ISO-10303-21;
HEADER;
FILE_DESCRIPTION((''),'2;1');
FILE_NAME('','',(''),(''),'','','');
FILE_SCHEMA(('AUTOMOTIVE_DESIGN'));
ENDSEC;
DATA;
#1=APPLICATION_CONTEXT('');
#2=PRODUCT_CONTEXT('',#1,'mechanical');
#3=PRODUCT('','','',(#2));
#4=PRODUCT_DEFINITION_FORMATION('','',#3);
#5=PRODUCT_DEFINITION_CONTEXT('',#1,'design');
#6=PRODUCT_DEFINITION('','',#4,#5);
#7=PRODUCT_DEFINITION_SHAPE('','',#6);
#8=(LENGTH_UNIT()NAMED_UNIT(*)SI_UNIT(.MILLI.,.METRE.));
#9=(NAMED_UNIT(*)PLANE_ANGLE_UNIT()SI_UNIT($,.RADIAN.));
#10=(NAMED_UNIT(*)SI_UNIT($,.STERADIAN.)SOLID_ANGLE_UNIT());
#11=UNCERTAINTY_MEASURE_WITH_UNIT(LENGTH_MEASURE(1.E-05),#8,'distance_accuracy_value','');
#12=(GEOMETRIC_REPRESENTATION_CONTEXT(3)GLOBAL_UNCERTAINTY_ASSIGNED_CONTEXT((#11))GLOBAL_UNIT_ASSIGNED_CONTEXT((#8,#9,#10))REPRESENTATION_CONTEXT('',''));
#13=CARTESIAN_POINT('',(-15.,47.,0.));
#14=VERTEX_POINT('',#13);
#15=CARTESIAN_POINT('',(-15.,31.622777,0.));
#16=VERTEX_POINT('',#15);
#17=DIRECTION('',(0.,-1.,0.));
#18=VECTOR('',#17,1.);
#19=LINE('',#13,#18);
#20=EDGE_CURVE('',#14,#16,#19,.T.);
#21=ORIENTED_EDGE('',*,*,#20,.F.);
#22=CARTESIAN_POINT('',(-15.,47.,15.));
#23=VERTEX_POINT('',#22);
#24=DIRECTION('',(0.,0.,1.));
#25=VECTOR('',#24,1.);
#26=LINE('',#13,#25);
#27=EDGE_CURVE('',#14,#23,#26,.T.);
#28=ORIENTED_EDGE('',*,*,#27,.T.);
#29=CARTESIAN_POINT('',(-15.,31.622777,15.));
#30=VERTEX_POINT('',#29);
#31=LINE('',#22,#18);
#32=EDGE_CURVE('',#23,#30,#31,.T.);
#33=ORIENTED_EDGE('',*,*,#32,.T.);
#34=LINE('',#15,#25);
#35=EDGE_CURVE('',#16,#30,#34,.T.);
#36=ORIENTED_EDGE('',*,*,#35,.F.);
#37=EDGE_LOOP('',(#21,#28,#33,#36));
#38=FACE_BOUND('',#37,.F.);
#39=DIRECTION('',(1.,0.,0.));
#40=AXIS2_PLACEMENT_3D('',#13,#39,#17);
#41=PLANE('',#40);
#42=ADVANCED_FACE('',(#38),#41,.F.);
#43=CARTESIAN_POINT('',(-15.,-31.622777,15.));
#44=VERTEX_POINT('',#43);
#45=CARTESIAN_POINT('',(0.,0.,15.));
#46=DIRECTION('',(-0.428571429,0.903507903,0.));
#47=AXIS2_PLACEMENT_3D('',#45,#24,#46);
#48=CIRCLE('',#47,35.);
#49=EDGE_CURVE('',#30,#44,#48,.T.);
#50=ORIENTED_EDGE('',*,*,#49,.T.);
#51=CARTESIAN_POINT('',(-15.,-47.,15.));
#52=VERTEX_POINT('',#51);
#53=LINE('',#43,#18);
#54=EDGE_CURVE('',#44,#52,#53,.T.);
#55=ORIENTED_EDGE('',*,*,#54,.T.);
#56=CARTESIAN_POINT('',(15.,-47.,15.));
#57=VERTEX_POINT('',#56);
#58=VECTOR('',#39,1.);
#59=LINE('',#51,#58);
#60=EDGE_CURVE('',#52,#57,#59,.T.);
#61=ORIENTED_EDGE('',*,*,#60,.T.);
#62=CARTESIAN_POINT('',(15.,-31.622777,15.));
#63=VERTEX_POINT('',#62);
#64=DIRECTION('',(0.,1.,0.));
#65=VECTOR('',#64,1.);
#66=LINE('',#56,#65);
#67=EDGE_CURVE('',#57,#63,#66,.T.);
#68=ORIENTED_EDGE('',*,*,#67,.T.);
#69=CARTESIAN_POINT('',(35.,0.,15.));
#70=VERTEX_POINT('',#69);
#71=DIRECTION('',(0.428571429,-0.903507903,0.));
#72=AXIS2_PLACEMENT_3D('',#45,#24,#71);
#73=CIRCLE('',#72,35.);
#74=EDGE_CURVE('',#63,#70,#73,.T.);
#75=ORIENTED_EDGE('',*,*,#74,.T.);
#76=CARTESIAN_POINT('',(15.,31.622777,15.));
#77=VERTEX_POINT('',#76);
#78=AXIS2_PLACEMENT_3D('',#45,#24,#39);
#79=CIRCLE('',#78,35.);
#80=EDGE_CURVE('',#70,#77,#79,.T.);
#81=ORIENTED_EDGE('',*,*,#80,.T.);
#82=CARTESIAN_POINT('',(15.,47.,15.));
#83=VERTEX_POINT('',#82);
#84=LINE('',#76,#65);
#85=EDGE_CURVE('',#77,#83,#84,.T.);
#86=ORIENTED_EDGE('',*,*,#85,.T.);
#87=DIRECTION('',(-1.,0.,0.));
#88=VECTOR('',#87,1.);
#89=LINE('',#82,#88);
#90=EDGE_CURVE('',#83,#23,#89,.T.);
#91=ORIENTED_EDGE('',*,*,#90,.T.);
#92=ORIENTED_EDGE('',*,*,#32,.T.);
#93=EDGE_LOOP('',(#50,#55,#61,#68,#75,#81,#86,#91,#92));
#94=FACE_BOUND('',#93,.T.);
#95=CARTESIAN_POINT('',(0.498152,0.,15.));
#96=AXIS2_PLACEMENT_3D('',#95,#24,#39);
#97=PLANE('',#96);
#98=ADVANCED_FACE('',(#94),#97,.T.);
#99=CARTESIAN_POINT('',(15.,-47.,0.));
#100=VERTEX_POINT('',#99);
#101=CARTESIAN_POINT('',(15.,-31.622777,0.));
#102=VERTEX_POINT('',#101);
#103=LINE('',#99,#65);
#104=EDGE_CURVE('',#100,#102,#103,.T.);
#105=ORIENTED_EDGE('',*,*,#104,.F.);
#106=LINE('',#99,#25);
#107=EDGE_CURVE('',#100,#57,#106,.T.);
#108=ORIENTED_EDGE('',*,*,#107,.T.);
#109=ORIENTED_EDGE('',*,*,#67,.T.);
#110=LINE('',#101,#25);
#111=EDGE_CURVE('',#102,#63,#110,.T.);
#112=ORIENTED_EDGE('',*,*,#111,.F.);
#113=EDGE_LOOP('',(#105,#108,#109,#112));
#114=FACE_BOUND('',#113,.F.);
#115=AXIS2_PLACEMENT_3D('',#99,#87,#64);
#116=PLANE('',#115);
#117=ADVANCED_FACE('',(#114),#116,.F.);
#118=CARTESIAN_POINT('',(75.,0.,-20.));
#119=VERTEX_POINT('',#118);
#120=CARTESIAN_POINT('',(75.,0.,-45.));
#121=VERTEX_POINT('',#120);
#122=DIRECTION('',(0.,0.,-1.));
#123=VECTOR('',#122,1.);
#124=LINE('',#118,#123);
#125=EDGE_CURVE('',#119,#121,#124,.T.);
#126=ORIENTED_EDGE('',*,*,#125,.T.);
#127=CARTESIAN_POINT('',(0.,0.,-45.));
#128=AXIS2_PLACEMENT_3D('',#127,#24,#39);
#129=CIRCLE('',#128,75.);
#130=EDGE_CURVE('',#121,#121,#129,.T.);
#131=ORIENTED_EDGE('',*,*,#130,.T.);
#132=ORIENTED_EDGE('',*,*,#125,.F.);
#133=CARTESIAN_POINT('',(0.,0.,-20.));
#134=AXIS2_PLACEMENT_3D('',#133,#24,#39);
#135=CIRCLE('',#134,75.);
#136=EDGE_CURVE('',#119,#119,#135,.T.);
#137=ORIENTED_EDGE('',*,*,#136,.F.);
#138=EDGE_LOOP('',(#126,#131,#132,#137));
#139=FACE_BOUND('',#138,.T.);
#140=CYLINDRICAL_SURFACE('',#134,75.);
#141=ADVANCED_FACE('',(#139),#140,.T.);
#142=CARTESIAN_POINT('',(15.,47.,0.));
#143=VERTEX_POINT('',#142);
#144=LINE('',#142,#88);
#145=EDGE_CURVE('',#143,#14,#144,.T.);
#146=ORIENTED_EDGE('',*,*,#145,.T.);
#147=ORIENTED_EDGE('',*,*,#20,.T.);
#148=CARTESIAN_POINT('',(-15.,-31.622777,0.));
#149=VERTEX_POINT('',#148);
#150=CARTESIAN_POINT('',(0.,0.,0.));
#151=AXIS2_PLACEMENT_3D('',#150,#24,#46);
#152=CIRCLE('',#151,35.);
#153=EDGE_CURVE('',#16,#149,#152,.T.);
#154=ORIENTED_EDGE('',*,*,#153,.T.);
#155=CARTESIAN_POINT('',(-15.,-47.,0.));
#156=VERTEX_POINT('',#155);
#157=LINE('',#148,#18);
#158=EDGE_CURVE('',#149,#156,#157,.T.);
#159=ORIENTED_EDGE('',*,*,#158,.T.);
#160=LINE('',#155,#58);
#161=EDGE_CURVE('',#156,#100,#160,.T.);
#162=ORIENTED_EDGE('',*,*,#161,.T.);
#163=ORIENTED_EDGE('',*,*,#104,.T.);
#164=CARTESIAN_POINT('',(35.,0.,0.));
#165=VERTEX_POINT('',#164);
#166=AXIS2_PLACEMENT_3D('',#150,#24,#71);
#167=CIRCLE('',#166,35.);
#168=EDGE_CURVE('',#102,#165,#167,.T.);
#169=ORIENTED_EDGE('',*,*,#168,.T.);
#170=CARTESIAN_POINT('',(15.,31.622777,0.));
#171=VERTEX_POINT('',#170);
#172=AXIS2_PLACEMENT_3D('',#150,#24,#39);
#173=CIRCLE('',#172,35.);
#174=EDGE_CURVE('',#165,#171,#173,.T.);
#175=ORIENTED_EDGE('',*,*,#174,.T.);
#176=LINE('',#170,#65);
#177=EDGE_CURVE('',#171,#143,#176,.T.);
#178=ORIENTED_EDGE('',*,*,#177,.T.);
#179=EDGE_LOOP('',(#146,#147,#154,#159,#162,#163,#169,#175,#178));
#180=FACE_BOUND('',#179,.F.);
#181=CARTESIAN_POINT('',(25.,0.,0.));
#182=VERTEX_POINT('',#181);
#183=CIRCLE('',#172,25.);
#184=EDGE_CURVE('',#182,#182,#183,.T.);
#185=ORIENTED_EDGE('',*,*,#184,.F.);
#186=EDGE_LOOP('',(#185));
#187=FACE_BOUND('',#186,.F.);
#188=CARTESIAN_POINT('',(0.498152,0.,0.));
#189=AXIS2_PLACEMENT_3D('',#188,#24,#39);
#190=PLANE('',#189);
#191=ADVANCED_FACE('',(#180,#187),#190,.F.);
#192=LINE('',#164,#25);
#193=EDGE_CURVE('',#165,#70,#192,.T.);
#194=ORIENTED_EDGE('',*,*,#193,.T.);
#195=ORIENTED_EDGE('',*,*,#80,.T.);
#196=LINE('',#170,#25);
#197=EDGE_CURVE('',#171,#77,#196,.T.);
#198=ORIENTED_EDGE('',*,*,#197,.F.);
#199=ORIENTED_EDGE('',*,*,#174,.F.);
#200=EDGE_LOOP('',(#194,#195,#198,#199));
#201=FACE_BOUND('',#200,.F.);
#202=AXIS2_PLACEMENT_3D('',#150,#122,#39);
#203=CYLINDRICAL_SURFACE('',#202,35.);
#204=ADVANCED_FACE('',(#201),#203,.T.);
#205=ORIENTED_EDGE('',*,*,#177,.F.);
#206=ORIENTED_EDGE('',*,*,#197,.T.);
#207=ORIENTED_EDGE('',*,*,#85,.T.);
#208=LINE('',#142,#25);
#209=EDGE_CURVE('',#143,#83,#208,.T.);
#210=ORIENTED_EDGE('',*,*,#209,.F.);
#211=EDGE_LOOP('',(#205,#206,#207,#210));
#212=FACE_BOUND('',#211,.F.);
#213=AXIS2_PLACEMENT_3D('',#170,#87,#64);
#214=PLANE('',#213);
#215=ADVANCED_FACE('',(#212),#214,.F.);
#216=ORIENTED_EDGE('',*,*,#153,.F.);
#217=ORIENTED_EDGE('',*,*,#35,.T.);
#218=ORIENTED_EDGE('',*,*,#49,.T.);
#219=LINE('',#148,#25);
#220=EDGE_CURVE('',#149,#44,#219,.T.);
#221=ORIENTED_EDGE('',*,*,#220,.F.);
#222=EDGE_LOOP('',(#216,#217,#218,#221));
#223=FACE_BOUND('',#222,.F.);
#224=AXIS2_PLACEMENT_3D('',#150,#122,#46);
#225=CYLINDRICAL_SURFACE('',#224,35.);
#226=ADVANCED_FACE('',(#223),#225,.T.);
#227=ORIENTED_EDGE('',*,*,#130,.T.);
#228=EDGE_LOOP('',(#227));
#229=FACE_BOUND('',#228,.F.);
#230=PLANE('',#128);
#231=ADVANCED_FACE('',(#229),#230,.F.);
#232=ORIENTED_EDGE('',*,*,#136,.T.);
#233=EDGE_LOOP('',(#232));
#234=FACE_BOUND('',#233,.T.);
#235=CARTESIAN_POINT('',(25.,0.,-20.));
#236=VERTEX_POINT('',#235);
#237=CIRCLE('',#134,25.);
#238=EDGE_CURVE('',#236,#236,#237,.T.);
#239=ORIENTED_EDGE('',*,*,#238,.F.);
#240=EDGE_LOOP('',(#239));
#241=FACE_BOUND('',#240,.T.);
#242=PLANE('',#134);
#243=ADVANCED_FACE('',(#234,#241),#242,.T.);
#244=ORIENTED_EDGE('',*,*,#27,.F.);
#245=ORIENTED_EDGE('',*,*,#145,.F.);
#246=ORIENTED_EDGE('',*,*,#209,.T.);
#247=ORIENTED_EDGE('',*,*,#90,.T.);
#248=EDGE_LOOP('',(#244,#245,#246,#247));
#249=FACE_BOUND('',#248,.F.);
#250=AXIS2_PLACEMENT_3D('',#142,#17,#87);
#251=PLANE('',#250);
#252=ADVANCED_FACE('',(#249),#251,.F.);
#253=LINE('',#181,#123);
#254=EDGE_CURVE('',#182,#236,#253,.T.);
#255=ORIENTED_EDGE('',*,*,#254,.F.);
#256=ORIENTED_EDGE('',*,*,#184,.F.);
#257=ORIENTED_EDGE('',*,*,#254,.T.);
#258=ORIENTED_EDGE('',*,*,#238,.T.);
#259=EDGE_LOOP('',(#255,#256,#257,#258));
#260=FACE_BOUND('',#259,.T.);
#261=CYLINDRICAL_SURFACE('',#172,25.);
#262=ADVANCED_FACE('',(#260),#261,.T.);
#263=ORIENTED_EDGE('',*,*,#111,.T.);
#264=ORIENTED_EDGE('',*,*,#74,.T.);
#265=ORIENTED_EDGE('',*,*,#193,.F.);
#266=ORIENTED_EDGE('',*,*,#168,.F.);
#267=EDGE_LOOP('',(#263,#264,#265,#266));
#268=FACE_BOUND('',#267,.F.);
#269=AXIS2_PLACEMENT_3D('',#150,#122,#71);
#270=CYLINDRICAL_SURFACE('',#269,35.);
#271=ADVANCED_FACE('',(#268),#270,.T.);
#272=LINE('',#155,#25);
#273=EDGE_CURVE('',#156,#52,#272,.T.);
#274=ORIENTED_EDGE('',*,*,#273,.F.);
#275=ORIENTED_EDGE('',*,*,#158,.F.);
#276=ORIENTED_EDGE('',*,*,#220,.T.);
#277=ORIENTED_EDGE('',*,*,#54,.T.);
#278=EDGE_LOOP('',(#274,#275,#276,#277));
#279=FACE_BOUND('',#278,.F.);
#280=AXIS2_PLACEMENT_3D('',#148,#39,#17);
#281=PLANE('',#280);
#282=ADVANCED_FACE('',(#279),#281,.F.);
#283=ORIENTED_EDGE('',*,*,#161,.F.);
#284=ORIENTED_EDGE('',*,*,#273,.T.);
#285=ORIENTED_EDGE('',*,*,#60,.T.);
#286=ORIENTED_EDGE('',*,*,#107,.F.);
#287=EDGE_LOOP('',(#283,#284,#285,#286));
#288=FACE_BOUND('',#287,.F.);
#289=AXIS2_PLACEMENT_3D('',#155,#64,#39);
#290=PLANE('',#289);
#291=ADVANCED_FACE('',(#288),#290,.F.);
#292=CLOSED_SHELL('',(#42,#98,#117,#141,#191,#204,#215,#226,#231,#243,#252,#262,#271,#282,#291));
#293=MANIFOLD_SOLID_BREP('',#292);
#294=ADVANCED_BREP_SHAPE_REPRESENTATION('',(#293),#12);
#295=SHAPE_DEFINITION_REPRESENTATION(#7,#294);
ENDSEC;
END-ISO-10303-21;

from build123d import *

# Parameters (mm, degrees)
F1_DEPTH = 15
F2_R     = 25
F3_DEPTH = 20
F5_R     = 75
F6_DEPTH = 25


with BuildPart() as f1:
    # F0 (on Top) → F1 (new body)
    with BuildSketch(Plane.XY):
        with BuildLine():
            ThreePointArc((15, -31.6227766017), (29.5803989155, -18.7082869339), (35, 0))
            ThreePointArc((35, 0), (29.5803989155, 18.7082869339), (15, 31.6227766017))
            Line((15, 31.6227766017), (15, 27.5))
            Line((15, 27.5), (-15, 27.5))
            Line((-15, 27.5), (-15, 31.6227766017))
            ThreePointArc((-15, 31.6227766017), (-35, 0), (-15, -31.6227766017))
            Line((-15, -31.6227766017), (-15, -27.5))
            Line((-15, -27.5), (15, -27.5))
            Line((15, -27.5), (15, -31.6227766017))
        make_face()
        with BuildLine():
            Line((15, 27.5), (15, 31.6227766017))
            ThreePointArc((15, 31.6227766017), (0, 35), (-15, 31.6227766017))
            Line((-15, 31.6227766017), (-15, 27.5))
            Line((-15, 27.5), (15, 27.5))
        make_face()
        with BuildLine():
            ThreePointArc((-15, 31.6227766017), (0, 35), (15, 31.6227766017))
            Line((15, 31.6227766017), (15, 47))
            Line((15, 47), (-15, 47))
            Line((-15, 47), (-15, 31.6227766017))
        make_face()
        with BuildLine():
            Line((15, -47), (15, -31.6227766017))
            ThreePointArc((15, -31.6227766017), (0, -35), (-15, -31.6227766017))
            Line((-15, -31.6227766017), (-15, -47))
            Line((-15, -47), (15, -47))
        make_face()
        with BuildLine():
            ThreePointArc((-15, -31.6227766017), (0, -35), (15, -31.6227766017))
            Line((15, -31.6227766017), (15, -27.5))
            Line((15, -27.5), (-15, -27.5))
            Line((-15, -27.5), (-15, -31.6227766017))
        make_face()
    extrude(amount=F1_DEPTH)

    # F2 (on Top) → F3 (join)
    with BuildSketch(Plane.XY):
        Circle(F2_R)
    extrude(amount=-F3_DEPTH)

    # F5 (on offset) → F6 (join)
    with BuildSketch(Plane.XY.offset(-20)):
        Circle(F5_R)
    extrude(amount=-F6_DEPTH)


solid = f1.part
